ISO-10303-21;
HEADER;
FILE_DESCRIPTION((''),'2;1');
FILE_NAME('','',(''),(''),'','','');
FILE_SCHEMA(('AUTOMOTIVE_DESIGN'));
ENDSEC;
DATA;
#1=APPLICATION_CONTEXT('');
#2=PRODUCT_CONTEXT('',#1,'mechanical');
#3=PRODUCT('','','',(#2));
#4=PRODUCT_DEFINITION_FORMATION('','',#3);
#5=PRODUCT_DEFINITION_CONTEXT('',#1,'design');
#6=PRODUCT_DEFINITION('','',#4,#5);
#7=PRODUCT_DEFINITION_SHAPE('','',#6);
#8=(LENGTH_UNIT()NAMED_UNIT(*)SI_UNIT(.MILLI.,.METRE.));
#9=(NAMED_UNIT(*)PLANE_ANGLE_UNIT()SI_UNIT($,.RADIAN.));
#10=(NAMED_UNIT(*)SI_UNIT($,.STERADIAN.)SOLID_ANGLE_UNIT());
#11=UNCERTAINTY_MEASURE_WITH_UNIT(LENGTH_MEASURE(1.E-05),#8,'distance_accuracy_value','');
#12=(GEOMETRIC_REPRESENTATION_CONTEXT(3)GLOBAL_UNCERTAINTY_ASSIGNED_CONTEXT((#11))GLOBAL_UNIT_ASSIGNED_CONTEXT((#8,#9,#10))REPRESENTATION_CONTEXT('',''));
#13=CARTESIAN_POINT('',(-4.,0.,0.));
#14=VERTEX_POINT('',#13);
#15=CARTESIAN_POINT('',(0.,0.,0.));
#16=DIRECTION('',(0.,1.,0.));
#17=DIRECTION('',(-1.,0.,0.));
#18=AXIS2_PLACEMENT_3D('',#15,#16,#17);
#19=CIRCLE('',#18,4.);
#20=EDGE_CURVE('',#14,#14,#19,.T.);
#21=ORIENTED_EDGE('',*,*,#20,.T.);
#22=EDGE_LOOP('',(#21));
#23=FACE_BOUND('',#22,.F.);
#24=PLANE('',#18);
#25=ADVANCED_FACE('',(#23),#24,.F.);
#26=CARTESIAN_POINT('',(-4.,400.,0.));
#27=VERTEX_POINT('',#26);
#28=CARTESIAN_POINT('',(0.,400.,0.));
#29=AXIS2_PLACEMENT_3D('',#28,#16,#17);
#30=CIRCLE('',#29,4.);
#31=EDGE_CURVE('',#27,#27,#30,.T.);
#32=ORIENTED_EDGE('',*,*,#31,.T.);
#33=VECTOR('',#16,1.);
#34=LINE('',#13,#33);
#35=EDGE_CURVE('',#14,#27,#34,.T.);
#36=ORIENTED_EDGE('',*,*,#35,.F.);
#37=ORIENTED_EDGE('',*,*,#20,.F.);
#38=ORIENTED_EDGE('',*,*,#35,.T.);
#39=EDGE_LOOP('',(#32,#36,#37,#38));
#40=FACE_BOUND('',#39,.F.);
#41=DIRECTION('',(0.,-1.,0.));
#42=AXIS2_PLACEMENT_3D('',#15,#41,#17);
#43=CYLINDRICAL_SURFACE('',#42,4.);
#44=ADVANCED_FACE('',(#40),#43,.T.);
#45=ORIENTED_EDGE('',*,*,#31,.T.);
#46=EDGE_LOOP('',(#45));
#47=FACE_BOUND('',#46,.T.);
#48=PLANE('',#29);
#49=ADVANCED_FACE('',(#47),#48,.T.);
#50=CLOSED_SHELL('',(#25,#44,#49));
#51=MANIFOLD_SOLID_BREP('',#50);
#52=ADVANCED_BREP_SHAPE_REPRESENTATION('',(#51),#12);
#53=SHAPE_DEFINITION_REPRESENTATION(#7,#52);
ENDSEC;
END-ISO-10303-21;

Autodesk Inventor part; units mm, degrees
ref_plane "YZ Plane" through (0, 0, 0) normal (1, 0, 0) x (0, 1, 0)
ref_plane "XZ Plane" through (0, 0, 0) normal (0, 1, 0) x (-1, 0, 0)
ref_plane "XY Plane" through (0, 0, 0) normal (0, 0, 1) x (1, 0, 0)
sketch "Sketch1" plane through (0, 0, 0) normal (0, 1, 0) x (-1, 0, 0)
  circle A0 centre (0, 0) radius 4
  dimension "d0" = 8
extrude "Extrusion1" add sketch "Sketch1" along normal blind 400
equation "\"d1\" = m8_rail_height"
equation "\"m8_rail_height\" = linear_bearing_z"
equation "\"sm_thickness\" = 1.5875"
equation "\"very_thick_acrylic\" = 9.45"
equation "\"thick_acrylic\" = 5.88"
equation "\"thin_acrylic\" = 3.15"
equation "\"clear_acrylic\" = 3.15"
equation "\"wood_thickness\" = 6.72"
equation "\"m3_diameter\" = 3"
equation "\"m3_head\" = 6"
equation "\"m4_diameter\" = 4"
equation "\"m5_diameter\" = 5"
equation "\"m5_head\" = 10.3"
equation "\"brass_insert_drill\" = 4"
equation "\"m5_brass_insert_drill\" = 6.7"
equation "\"m3_press_nut_drill\" = 4.5"
equation "\"m3_main_length\" = 14"
equation "\"m3_main_nut_width\" = 5.7"
equation "\"m3_main_nut_thickness\" = 2.5"
equation "\"m3_main_extra\" = 1"
equation "\"stepper_screw_space\" = 35"
equation "\"stepper_shaft_diameter\" = 5"
equation "\"stepper_body_diameter\" = 28"
equation "\"laser_body_diameter\" = 12"
equation "\"carrier_y\" = 251"
equation "\"carrier_z\" = 12"
equation "\"visor_x\" = 253.925"
equation "\"visor_y\" = 85.6"
equation "\"window_z\" = 332.225"
equation "\"window_y\" = 93.75"
equation "\"window_overlap\" = 48"
equation "\"acrylic_into_frame\" = 5"
equation "\"door_x\" = 251"
equation "\"door_z\" = 332.225"
equation "\"door_overlap\" = 48"
equation "\"reservoir_x\" = 201"
equation "\"reservoir_y\" = 201"
equation "\"linear_bearing_spacing\" = 271"
equation "\"motor_spacing\" = 337"
equation "\"tray_border\" = 25"
equation "\"tray_x\" = 251"
equation "\"tray_y\" = 251"
equation "\"bed_z\" = 25"
equation "\"crane_z2\" = 12"
equation "\"end_stop_spacing\" = 19"
equation "\"thumb_nut_offset_y\" = 0"
equation "\"thumb_nut_diameter\" = 7"
equation "\"z_min_from_center\" = 115"
equation "\"frame_top_z\" = 385"
equation "\"frame_bottom_z\" = 275"
equation "\"frame_total_z\" = 661.5875"
equation "\"frame_border\" = 48.0375"
equation "\"frame_foot_z\" = 12"
equation "\"frame_tilt\" = 1deg"
equation "\"printer_z\" = 289"
equation "\"lcd_x\" = 72"
equation "\"lcd_y\" = 25"
equation "\"subframe_x\" = 66"
equation "\"subframe_y_offset\" = 27.5"
equation "\"laser_y_offset\" = 19.4"
equation "\"laser_diameter\" = 12"
equation "\"laser_z_offset\" = 55"
equation "\"laser_y\" = 15"
equation "\"laser_z\" = 75"
equation "\"t_galvo_frame\" = 6.72"
equation "\"galvo_frame_x\" = 66"
equation "\"galvo_frame_z\" = 85"
equation "\"galvo_frame_y_offset\" = 27.5"
equation "\"drawer_x\" = 257.3"
equation "\"drawer_y\" = 90.3375"
equation "\"drawer_z\" = 278.175"
equation "\"drawer_z_from_bottom\" = 25"
equation "\"nema17_x\" = 43"
equation "\"m5_press_nut_drill\" = 6.5"
equation "\"drawer_support_from_top\" = 48"
equation "\"laser_gap\" = 1"
equation "\"frame_screw_from_center\" = 25"
equation "\"drawer_screw_from_center\" = 55"
equation "\"frame_face_y\" = 45"
equation "\"switch_spacing\" = 19"
equation "\"subframe_y\" = 55"
equation "\"al_thickness\" = 1.5875"
equation "\"rivet_diameter\" = 3.3"
equation "\"bend_factor\" = 2.26205"
equation "\"al_bend\" = 3.591"
equation "\"sm_bend\" = 3.591"
equation "\"frame_x\" = 353.375"
equation "\"carrier_z2\" = 25"
equation "\"carrier_y2\" = 76.825"
equation "\"linear_bearing_z\" = 400"
properties part number "m8_rail"
